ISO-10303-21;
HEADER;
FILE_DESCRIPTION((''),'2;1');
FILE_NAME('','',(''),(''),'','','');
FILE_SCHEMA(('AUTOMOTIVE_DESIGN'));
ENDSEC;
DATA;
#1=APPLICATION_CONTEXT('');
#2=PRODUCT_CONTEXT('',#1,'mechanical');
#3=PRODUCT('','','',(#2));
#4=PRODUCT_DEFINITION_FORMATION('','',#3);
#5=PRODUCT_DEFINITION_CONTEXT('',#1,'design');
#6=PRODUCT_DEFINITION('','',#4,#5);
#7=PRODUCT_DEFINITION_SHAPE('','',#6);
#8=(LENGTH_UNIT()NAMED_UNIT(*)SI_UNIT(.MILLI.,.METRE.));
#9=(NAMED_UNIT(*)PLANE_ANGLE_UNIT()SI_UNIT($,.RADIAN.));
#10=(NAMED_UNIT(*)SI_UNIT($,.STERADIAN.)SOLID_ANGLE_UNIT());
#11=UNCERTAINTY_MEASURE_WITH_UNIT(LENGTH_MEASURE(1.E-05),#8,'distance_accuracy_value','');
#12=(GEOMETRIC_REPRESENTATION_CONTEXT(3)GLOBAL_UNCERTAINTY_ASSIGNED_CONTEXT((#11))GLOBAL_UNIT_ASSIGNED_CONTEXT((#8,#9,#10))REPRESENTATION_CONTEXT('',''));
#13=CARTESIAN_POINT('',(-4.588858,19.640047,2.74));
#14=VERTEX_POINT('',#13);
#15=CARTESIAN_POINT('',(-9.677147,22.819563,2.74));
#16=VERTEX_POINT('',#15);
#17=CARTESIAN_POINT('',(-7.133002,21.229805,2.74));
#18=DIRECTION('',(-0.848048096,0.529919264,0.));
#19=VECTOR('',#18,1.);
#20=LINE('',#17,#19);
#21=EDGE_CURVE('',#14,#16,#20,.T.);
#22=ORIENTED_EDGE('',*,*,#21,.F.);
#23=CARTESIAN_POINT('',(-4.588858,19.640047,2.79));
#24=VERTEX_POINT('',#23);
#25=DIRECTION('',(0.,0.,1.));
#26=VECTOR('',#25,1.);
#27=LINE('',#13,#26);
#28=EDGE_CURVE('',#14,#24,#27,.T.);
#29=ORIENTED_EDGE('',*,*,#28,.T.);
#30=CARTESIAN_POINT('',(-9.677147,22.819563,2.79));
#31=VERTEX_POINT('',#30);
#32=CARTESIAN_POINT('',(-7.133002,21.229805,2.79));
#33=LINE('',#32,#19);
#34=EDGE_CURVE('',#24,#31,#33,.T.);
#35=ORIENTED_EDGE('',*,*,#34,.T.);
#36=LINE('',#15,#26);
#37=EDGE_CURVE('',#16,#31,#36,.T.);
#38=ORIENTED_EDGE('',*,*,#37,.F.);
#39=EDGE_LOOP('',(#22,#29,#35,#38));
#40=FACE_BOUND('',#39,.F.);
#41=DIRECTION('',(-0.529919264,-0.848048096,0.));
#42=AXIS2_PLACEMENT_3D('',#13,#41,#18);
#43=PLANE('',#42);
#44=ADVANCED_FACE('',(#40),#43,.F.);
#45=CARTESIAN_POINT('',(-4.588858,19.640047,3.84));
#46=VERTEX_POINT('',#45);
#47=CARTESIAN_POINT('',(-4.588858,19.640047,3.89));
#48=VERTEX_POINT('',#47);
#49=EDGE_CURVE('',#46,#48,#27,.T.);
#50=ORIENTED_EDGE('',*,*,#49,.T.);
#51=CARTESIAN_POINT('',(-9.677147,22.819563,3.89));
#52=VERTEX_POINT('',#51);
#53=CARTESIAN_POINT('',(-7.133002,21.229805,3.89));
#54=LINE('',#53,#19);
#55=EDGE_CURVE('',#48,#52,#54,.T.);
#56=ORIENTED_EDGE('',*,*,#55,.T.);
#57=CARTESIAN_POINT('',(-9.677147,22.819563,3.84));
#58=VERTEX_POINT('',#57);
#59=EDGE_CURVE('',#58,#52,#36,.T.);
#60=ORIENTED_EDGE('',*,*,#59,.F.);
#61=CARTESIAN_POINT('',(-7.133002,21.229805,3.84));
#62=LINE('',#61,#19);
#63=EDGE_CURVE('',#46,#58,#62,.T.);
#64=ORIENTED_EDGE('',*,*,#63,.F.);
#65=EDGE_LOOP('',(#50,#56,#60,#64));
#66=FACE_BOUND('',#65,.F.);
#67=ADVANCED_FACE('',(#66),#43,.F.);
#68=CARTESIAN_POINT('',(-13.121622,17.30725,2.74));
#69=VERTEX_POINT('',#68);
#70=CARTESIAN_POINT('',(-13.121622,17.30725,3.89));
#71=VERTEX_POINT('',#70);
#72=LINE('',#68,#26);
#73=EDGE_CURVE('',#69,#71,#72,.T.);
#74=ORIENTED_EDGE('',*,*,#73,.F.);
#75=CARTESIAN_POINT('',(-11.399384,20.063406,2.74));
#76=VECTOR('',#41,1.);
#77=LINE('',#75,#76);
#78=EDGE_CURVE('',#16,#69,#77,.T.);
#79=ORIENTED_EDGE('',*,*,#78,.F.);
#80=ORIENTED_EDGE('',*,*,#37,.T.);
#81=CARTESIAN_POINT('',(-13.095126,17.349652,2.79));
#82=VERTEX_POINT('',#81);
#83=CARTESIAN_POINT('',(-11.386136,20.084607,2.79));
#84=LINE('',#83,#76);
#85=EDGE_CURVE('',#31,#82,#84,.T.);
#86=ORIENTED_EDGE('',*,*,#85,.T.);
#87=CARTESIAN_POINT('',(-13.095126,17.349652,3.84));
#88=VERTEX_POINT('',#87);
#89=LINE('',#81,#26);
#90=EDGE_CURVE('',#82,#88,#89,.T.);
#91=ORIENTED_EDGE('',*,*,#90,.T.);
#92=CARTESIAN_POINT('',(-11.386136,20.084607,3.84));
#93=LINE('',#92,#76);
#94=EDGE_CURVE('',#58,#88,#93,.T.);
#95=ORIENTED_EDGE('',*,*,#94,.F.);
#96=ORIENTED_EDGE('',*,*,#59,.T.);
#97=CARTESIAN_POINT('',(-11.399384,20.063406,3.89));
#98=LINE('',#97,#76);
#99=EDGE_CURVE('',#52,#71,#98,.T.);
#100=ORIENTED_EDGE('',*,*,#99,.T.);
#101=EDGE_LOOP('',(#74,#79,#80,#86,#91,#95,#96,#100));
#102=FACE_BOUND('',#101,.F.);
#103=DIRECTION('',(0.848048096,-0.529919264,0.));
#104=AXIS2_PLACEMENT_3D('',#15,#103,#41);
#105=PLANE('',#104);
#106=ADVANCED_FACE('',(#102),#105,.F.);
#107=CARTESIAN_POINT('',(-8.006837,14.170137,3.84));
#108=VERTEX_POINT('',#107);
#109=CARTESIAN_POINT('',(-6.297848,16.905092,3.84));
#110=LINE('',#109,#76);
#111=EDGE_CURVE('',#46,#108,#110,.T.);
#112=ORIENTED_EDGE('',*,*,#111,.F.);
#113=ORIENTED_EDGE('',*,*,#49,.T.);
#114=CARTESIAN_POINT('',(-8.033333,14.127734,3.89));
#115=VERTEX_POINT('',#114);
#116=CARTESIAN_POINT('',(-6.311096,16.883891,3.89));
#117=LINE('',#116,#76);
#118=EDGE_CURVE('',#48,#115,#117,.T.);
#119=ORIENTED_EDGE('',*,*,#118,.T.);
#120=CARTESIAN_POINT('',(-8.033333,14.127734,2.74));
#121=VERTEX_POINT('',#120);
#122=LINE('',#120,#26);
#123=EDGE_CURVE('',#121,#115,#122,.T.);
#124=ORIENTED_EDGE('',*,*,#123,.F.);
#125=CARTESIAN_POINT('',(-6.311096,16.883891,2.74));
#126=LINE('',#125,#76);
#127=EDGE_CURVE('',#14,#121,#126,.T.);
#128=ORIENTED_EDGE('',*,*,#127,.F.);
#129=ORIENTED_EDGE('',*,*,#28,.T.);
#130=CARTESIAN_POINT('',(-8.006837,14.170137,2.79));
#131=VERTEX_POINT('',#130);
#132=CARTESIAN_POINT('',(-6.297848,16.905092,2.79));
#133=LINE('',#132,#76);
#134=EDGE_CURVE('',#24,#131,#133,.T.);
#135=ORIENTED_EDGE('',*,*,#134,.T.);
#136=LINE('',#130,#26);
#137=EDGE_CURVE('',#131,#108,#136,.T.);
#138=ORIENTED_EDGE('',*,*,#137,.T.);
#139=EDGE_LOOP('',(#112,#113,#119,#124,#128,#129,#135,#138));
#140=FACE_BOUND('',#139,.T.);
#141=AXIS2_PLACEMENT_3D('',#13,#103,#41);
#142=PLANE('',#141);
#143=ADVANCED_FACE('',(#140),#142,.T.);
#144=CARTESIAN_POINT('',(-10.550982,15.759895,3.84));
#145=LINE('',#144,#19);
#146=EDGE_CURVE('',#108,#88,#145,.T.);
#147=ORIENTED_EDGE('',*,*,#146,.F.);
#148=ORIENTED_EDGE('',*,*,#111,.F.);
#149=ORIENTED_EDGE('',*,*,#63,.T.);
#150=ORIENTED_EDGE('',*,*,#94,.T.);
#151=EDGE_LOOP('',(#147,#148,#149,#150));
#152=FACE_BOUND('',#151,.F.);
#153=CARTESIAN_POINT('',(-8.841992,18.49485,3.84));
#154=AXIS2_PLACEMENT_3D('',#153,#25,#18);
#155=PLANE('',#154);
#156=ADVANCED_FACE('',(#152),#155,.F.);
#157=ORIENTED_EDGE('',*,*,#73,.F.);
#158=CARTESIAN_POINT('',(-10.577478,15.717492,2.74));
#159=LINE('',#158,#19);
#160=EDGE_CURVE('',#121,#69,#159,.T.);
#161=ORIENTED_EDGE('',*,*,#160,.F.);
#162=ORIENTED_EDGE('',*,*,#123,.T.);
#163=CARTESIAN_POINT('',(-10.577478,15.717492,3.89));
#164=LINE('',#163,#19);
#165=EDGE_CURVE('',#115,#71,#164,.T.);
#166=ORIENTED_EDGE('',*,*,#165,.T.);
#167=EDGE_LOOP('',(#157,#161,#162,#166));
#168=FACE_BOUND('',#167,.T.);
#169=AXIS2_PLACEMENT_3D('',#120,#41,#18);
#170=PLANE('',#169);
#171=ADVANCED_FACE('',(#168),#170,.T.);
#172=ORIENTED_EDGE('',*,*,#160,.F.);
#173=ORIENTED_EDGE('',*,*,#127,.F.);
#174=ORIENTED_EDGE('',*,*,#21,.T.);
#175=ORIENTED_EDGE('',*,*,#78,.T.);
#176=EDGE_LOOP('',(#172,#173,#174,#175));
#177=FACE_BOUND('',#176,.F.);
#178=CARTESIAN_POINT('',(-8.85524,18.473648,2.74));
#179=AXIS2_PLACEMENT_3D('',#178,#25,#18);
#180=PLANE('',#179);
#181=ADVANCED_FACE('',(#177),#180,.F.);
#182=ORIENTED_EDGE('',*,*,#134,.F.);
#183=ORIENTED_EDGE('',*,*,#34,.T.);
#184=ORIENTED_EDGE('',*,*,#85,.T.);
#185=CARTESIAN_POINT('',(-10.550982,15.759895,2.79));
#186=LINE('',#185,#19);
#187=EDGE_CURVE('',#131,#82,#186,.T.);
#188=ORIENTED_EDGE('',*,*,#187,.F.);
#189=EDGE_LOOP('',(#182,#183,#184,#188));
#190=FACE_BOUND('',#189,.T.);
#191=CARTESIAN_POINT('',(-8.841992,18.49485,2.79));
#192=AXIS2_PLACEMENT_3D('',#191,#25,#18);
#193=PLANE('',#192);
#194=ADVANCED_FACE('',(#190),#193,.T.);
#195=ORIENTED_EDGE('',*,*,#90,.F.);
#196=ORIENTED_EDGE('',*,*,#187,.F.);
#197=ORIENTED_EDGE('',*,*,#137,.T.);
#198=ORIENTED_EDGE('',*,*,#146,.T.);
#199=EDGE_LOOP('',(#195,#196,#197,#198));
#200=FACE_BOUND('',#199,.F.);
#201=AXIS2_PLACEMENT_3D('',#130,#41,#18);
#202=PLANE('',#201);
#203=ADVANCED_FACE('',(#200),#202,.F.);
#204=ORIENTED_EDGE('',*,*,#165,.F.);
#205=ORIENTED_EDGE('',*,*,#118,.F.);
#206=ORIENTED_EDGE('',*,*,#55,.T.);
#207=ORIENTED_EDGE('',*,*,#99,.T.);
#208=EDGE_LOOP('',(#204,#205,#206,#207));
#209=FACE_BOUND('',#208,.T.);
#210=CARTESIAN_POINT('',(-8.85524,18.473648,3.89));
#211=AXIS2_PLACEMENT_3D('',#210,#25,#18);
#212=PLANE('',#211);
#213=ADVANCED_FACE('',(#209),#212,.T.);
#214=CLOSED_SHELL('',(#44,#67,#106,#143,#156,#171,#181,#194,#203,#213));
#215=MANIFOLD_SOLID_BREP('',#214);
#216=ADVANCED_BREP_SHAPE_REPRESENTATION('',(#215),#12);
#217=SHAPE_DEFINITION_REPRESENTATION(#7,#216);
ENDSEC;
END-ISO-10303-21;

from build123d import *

# Parameters (mm, degrees)
BOX178_W               = 6
BOX178_H               = 6.45
BOX178_DEPTH           = 1.05
BOX177_W               = 6
BOX177_H               = 6.5
BOX177_DEPTH           = 1.15
CUT087_PLACEMENT_ANGLE = 148


with BuildPart() as small_cu_gnd_electrode074:
    # Box178 → Box178 (new body)
    with BuildSketch(Plane.XY.offset(0.05)):
        with Locations((3, 3.225)):
            Rectangle(BOX178_W, BOX178_H)
    extrude(amount=BOX178_DEPTH)


with BuildPart() as small_cu_electrode002_short_axis_gnd008:
    # Box177 → Box177 (new body)
    with BuildSketch(Plane.XY):
        with Locations((3, 3.25)):
            Rectangle(BOX177_W, BOX177_H)
    extrude(amount=BOX177_DEPTH)

    # Cut087: cut Small Cu GND Electrode074
    add(small_cu_gnd_electrode074.part, mode=Mode.SUBTRACT)


with BuildPart() as small_cu_electrode002_short_axis_gnd008_1:
    # Cut087 placement: moved
    add(small_cu_electrode002_short_axis_gnd008.part.moved(Location((-4.588858, 19.640047, 2.74))).rotate(Axis((-4.588858, 19.640047, 2.74), (0, 0, 1)), CUT087_PLACEMENT_ANGLE))


solid = small_cu_electrode002_short_axis_gnd008_1.part
